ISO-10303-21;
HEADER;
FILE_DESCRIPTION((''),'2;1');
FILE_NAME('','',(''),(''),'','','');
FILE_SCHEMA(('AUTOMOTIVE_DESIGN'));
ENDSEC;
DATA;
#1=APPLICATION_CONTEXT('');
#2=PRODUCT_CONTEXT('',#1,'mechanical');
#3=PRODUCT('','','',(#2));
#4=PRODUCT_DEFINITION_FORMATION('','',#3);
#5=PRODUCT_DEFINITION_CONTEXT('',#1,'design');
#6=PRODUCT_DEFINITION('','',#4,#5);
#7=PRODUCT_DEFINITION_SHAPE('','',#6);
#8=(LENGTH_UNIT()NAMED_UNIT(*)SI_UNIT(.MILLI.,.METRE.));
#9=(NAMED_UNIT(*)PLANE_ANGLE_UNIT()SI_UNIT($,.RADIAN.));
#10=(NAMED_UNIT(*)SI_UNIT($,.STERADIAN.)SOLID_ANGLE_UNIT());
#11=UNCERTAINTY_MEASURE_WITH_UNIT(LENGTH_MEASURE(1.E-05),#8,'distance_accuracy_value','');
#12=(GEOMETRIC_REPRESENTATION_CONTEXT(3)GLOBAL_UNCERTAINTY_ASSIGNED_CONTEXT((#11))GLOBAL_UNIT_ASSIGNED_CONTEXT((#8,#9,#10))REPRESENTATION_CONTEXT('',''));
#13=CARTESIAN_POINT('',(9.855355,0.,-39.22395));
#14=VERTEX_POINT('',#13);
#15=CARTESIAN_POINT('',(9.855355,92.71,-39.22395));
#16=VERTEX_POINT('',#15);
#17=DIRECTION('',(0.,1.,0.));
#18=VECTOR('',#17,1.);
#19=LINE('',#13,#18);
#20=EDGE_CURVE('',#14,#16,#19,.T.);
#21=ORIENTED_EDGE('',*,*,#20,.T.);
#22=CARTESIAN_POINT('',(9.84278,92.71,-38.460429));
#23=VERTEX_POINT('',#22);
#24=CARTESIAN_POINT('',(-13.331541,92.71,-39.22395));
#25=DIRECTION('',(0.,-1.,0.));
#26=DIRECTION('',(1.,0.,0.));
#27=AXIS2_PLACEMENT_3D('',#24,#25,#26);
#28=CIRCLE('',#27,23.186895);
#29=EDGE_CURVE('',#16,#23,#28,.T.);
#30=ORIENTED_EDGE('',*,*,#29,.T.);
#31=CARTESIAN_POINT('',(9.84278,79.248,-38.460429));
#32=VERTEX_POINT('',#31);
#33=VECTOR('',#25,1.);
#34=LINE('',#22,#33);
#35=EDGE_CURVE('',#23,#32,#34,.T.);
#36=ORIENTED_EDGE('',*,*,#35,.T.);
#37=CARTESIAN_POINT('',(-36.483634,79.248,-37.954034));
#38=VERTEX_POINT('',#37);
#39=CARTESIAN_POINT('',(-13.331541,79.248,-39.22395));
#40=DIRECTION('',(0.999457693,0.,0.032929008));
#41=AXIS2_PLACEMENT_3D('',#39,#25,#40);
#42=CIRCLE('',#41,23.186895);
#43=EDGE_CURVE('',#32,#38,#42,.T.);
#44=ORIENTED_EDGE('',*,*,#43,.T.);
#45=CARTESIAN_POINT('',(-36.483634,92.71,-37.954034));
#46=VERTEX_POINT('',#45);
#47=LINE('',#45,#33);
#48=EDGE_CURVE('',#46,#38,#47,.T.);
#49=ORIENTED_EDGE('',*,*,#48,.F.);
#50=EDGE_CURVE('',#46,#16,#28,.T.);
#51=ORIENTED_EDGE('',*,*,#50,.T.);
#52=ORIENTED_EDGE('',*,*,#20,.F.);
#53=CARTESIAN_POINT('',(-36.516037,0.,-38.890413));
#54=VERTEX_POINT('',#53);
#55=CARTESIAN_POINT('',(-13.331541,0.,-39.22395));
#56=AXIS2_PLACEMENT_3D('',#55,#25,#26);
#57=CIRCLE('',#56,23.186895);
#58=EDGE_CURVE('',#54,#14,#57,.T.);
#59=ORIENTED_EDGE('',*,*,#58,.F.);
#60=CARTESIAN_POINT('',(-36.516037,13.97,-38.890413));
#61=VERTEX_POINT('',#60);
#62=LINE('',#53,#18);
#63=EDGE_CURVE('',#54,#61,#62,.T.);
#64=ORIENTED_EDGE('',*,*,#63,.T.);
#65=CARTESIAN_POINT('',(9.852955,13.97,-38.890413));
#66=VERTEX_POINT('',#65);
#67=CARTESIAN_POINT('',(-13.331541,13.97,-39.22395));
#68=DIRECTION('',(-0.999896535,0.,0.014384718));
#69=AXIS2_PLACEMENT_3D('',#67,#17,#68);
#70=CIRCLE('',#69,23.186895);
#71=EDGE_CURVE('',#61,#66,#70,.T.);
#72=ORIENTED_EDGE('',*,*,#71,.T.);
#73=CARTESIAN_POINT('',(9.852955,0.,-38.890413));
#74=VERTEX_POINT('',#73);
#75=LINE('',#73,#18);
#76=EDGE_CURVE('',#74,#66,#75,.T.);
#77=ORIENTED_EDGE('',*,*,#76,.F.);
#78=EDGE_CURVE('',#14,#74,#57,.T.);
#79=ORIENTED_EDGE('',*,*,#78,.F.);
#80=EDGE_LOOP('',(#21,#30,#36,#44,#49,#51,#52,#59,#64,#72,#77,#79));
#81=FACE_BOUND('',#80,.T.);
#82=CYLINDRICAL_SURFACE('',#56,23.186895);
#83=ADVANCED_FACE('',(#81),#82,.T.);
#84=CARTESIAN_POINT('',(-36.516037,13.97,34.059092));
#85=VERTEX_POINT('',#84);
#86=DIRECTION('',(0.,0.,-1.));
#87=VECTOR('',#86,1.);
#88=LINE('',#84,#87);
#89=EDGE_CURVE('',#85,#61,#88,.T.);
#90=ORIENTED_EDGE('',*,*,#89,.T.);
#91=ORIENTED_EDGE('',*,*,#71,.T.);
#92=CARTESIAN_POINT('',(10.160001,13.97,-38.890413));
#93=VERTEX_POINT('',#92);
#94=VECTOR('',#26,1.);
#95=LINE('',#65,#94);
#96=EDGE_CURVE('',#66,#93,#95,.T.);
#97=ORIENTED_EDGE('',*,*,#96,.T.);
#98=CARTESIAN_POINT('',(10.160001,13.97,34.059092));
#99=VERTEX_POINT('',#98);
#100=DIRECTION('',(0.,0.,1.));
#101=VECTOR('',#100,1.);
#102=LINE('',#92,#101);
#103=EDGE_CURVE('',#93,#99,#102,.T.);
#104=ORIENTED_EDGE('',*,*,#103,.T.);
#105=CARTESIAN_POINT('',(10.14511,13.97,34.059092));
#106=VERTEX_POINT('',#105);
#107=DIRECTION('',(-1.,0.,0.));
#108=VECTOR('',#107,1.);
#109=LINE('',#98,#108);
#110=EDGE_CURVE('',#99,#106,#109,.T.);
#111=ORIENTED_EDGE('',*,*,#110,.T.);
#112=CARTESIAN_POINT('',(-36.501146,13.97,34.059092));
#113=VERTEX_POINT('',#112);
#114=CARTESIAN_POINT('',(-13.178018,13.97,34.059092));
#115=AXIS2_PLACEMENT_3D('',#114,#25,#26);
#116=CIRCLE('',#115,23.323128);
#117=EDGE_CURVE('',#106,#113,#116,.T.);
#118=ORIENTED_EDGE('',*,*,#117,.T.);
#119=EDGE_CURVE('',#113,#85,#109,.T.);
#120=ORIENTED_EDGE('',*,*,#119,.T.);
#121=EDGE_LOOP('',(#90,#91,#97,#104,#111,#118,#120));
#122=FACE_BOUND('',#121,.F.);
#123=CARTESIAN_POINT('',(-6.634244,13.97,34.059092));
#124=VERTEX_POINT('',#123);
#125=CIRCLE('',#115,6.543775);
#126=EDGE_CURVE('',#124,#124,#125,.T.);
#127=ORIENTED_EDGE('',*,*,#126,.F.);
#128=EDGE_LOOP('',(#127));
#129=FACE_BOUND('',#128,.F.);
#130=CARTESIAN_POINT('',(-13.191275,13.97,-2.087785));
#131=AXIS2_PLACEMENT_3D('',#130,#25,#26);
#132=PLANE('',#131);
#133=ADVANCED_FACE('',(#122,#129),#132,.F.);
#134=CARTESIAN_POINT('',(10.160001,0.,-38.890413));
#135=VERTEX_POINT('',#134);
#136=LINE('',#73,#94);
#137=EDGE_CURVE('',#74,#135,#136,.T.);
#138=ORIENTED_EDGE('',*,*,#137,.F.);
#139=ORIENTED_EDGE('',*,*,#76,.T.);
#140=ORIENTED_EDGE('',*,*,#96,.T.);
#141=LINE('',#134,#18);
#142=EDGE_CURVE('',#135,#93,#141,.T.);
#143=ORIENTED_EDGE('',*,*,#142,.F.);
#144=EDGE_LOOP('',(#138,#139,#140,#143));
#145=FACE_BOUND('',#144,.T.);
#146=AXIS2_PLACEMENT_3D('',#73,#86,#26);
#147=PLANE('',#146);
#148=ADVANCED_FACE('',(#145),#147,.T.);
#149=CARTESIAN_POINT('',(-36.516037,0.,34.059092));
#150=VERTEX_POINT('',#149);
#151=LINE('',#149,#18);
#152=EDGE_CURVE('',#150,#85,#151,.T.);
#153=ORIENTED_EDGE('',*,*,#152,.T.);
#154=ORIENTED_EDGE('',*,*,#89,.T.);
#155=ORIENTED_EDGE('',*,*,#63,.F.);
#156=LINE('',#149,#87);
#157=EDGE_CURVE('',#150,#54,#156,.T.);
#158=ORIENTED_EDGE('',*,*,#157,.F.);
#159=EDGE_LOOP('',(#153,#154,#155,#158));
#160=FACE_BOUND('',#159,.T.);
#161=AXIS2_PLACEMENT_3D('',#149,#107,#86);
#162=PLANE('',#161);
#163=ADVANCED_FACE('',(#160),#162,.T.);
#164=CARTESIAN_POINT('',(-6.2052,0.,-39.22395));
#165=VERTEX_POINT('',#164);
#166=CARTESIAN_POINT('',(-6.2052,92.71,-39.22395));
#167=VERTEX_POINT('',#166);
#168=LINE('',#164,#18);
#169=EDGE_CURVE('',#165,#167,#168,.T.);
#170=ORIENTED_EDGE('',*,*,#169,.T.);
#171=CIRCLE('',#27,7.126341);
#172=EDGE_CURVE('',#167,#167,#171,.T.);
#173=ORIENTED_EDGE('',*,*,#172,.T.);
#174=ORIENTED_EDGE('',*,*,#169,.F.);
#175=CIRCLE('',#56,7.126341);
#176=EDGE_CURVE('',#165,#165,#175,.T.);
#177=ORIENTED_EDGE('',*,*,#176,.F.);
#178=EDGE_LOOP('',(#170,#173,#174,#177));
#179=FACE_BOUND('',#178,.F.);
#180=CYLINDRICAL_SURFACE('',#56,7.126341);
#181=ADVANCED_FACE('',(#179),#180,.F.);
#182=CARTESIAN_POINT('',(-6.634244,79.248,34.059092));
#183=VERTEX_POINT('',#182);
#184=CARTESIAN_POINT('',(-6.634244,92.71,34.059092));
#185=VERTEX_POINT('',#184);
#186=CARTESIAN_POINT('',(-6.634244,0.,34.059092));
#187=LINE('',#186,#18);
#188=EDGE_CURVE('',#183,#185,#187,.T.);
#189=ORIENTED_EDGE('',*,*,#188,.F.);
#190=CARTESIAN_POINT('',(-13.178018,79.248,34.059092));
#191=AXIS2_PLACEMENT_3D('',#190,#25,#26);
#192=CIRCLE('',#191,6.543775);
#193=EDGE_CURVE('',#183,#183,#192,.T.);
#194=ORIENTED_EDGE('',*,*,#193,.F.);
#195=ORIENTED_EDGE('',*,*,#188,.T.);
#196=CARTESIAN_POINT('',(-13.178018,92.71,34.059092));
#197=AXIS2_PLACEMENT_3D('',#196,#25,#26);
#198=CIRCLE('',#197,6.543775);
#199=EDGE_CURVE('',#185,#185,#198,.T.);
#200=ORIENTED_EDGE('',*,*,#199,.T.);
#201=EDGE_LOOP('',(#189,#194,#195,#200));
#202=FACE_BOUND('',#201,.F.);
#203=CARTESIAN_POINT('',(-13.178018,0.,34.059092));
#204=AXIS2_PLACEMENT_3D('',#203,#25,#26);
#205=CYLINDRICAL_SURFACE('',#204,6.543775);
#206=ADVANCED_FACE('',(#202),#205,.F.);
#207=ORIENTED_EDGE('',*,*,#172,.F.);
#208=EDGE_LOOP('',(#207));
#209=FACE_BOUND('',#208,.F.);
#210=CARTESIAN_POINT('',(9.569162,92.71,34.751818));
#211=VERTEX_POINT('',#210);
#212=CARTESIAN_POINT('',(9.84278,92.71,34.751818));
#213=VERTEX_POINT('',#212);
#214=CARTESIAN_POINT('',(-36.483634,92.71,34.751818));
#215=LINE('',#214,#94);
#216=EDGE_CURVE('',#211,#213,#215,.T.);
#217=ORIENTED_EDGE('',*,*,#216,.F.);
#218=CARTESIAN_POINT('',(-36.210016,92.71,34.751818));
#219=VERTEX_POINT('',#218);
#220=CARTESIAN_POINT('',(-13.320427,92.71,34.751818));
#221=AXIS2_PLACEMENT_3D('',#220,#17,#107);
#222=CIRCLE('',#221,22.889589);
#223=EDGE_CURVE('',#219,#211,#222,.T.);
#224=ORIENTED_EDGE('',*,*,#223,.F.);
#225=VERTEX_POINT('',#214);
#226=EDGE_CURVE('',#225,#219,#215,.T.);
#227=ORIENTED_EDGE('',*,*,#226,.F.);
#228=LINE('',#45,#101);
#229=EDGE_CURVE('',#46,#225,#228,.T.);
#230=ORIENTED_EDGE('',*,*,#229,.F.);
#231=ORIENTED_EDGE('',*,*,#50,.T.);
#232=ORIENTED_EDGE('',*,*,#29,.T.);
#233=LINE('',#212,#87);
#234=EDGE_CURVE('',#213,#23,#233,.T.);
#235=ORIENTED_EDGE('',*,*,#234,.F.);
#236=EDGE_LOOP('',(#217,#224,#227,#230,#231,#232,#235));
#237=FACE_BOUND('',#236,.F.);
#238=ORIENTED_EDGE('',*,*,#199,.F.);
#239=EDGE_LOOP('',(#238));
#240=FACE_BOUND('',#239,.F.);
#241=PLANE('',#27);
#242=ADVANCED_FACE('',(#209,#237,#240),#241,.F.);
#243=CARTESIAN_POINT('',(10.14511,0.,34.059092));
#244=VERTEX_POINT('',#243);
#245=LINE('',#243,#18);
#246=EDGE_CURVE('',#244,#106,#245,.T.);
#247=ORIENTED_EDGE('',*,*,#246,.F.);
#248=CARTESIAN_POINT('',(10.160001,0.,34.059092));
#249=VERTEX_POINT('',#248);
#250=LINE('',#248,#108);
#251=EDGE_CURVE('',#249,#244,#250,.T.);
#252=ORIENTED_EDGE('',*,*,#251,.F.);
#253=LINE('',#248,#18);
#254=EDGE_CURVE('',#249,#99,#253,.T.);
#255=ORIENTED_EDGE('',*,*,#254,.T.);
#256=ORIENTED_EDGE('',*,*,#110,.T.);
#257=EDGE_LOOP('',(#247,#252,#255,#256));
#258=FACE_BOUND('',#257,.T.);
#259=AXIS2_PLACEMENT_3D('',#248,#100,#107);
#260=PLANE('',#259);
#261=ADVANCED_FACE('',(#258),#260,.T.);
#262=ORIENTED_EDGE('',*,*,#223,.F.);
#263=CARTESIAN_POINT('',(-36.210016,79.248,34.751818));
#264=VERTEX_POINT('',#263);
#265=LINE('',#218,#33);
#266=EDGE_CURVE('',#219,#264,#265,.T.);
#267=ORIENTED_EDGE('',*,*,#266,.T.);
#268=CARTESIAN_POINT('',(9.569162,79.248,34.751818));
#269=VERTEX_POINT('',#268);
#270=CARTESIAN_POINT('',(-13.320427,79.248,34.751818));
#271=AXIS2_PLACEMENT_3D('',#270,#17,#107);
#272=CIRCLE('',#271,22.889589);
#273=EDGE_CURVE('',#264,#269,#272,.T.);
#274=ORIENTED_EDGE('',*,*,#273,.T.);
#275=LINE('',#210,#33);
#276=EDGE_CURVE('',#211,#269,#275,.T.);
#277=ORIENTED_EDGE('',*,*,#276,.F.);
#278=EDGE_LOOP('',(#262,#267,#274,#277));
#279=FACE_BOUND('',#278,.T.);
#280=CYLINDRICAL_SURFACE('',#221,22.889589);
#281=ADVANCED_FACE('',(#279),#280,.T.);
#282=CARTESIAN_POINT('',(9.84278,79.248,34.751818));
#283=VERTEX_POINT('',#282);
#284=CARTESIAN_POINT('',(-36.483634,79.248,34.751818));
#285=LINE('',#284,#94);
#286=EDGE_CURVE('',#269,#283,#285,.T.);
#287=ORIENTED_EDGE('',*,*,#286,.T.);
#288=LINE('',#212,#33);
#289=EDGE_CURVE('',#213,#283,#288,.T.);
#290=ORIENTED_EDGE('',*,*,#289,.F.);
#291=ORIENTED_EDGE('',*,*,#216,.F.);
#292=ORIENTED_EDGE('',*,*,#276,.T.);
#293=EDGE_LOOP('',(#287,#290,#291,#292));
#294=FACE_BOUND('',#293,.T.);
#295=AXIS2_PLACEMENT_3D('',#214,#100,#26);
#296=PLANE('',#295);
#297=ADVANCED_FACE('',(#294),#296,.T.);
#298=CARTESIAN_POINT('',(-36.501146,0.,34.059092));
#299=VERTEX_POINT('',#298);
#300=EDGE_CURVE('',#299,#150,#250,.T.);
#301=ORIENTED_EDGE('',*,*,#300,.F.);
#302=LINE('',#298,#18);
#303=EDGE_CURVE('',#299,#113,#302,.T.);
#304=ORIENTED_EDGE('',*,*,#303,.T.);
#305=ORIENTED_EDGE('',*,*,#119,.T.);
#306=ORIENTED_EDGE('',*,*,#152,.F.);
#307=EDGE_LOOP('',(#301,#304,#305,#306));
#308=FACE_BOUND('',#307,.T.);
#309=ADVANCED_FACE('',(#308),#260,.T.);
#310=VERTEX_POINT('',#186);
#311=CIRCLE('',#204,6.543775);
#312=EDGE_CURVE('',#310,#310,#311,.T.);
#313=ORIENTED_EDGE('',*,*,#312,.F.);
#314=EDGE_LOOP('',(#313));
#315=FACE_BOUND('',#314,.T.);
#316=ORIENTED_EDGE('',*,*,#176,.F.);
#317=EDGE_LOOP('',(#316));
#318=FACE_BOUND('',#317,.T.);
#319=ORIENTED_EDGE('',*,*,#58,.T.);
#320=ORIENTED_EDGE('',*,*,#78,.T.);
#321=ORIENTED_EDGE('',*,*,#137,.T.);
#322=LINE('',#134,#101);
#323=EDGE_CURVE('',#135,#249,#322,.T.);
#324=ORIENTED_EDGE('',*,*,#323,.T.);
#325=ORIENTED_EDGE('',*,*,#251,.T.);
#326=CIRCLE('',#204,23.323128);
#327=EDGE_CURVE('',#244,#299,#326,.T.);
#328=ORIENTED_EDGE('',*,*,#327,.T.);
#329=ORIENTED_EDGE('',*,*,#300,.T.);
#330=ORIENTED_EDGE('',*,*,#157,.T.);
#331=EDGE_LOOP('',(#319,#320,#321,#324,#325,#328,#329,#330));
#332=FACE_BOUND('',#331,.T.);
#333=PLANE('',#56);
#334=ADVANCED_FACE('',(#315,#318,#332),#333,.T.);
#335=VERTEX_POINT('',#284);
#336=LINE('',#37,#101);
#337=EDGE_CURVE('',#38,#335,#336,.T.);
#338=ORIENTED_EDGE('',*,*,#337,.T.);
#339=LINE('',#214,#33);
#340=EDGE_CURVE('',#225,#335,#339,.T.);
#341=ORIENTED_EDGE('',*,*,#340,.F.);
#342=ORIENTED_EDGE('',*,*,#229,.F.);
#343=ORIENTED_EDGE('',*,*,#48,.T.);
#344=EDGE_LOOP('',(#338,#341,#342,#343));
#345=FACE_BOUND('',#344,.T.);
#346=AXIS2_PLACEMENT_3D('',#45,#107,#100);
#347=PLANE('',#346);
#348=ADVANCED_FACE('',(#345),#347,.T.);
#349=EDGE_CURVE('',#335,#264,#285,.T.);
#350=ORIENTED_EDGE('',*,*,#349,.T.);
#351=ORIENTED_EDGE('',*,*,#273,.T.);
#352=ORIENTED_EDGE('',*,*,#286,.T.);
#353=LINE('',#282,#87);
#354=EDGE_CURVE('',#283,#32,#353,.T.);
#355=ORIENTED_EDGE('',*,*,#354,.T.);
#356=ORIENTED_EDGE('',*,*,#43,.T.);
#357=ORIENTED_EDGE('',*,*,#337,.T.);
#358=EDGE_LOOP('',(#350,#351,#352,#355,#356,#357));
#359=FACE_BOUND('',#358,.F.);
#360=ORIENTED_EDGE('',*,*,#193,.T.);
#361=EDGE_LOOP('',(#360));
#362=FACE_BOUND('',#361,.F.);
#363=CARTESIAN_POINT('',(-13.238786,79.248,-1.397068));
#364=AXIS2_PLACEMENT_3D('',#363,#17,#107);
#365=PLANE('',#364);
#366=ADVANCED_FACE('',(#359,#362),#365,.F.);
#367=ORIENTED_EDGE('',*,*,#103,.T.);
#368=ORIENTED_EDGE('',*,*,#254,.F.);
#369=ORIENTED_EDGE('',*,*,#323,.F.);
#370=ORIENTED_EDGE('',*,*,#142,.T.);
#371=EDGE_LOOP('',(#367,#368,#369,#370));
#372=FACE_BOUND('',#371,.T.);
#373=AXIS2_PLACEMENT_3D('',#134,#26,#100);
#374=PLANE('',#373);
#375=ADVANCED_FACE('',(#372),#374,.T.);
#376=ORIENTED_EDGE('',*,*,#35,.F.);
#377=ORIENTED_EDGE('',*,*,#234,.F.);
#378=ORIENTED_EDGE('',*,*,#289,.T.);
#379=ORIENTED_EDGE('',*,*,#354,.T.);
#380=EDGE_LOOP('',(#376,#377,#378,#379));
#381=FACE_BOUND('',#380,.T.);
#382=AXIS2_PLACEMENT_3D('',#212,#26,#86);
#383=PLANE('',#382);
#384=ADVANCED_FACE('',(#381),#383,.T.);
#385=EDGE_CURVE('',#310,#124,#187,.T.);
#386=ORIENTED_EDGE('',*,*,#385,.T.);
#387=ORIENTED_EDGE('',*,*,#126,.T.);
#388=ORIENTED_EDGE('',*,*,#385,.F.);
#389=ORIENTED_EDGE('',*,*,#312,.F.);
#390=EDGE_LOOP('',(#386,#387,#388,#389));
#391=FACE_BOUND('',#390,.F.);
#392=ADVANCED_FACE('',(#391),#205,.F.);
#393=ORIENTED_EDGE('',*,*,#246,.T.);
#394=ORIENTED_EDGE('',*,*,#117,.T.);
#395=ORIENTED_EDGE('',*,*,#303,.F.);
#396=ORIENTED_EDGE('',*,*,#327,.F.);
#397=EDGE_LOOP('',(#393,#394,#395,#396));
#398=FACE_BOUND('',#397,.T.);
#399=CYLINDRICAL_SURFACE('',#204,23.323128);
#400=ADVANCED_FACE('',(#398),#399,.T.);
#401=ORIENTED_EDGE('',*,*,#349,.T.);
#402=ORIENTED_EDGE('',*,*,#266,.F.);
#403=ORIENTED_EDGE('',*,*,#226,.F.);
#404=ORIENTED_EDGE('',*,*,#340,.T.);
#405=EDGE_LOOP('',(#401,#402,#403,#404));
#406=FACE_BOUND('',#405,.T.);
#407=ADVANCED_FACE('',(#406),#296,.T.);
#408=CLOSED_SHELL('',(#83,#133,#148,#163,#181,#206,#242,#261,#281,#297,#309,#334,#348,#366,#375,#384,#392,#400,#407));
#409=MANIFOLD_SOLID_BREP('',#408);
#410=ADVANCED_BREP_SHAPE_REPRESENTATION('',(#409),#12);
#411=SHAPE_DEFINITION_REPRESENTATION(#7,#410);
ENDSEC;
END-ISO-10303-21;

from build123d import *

# Parameters (mm, degrees)
F0_R      = 23.1868953792
F1_DEPTH  = 92.71
F3_DEPTH  = 13.97
F5_DEPTH  = 13.97
F7_DEPTH  = 13.462
F9_DEPTH  = 13.462
F10_R     = 7.1263406122
F11_DEPTH = 92.711
F12_R     = 6.5437745526
F13_DEPTH = 92.711


with BuildPart() as f1:
    # F0 (on Front) → F1 (new body)
    with BuildSketch(Plane.XZ):
        with Locations((-13.3315408602, -39.2239503562)):
            Circle(F0_R)
    extrude(amount=-F1_DEPTH)

    # F2 (on face) → F3 (join)
    with BuildSketch(Plane.XZ):
        with BuildLine():
            Line((-36.5160371978, 34.0590924025), (-36.5160371978, -38.8904134022))
            ThreePointArc((-36.5160371978, -38.8904134022), (-13.3315408602, -16.0370549771), (9.8529554773, -38.8904134022))
            Line((9.8529554773, -38.8904134022), (10.1600009948, -38.8904134022))
            Line((10.1600009948, -38.8904134022), (10.1600009948, 34.0590924025))
            Line((10.1600009948, 34.0590924025), (-36.5160371978, 34.0590924025))
        make_face()
    extrude(amount=-F3_DEPTH)

    # F4 (on face) → F5 (join)
    with BuildSketch(Plane.XZ):
        with BuildLine():
            Line((-36.5011457602, 34.0590924025), (10.1451095572, 34.0590924025))
            ThreePointArc((10.1451095572, 34.0590924025), (-13.1780181015, 57.3822200612), (-36.5011457602, 34.0590924025))
        make_face()
    extrude(amount=-F5_DEPTH)

    # F6 (on face) → F7 (join)
    with BuildSketch(Plane(origin=(0, 92.71, 0), x_dir=(-1, 0, 0), z_dir=(0, 1, 0))):
        with BuildLine():
            Line((-9.8427801074, 34.751817584), (-9.8427801074, -38.4604289001))
            ThreePointArc((-9.8427801074, -38.4604289001), (13.0780994515, -16.038440123), (36.4836342633, -37.954033673))
            Line((36.4836342633, -37.954033673), (36.4836342633, 34.751817584))
            Line((36.4836342633, 34.751817584), (-9.8427801074, 34.751817584))
        make_face()
    extrude(amount=-F7_DEPTH)

    # F8 (on face) → F9 (join)
    with BuildSketch(Plane(origin=(0, 92.71, 0), x_dir=(-1, 0, 0), z_dir=(0, 1, 0))):
        with BuildLine():
            Line((-9.5691616246, 34.751817584), (36.2100157805, 34.751817584))
            ThreePointArc((36.2100157805, 34.751817584), (13.3204270779, 57.6414062866), (-9.5691616246, 34.751817584))
        make_face()
    extrude(amount=-F9_DEPTH)

    # F10 (on face) → F11 (cut, through all)
    with BuildSketch(Plane.XZ):
        with Locations((-13.3315408602, -39.2239503562)):
            Circle(F10_R)
    extrude(amount=-F11_DEPTH, mode=Mode.SUBTRACT)

    # F12 (on face) → F13 (cut, through all)
    with BuildSketch(Plane.XZ):
        with Locations((-13.1780181015, 34.0590924025)):
            Circle(F12_R)
    extrude(amount=-F13_DEPTH, mode=Mode.SUBTRACT)


solid = f1.part
